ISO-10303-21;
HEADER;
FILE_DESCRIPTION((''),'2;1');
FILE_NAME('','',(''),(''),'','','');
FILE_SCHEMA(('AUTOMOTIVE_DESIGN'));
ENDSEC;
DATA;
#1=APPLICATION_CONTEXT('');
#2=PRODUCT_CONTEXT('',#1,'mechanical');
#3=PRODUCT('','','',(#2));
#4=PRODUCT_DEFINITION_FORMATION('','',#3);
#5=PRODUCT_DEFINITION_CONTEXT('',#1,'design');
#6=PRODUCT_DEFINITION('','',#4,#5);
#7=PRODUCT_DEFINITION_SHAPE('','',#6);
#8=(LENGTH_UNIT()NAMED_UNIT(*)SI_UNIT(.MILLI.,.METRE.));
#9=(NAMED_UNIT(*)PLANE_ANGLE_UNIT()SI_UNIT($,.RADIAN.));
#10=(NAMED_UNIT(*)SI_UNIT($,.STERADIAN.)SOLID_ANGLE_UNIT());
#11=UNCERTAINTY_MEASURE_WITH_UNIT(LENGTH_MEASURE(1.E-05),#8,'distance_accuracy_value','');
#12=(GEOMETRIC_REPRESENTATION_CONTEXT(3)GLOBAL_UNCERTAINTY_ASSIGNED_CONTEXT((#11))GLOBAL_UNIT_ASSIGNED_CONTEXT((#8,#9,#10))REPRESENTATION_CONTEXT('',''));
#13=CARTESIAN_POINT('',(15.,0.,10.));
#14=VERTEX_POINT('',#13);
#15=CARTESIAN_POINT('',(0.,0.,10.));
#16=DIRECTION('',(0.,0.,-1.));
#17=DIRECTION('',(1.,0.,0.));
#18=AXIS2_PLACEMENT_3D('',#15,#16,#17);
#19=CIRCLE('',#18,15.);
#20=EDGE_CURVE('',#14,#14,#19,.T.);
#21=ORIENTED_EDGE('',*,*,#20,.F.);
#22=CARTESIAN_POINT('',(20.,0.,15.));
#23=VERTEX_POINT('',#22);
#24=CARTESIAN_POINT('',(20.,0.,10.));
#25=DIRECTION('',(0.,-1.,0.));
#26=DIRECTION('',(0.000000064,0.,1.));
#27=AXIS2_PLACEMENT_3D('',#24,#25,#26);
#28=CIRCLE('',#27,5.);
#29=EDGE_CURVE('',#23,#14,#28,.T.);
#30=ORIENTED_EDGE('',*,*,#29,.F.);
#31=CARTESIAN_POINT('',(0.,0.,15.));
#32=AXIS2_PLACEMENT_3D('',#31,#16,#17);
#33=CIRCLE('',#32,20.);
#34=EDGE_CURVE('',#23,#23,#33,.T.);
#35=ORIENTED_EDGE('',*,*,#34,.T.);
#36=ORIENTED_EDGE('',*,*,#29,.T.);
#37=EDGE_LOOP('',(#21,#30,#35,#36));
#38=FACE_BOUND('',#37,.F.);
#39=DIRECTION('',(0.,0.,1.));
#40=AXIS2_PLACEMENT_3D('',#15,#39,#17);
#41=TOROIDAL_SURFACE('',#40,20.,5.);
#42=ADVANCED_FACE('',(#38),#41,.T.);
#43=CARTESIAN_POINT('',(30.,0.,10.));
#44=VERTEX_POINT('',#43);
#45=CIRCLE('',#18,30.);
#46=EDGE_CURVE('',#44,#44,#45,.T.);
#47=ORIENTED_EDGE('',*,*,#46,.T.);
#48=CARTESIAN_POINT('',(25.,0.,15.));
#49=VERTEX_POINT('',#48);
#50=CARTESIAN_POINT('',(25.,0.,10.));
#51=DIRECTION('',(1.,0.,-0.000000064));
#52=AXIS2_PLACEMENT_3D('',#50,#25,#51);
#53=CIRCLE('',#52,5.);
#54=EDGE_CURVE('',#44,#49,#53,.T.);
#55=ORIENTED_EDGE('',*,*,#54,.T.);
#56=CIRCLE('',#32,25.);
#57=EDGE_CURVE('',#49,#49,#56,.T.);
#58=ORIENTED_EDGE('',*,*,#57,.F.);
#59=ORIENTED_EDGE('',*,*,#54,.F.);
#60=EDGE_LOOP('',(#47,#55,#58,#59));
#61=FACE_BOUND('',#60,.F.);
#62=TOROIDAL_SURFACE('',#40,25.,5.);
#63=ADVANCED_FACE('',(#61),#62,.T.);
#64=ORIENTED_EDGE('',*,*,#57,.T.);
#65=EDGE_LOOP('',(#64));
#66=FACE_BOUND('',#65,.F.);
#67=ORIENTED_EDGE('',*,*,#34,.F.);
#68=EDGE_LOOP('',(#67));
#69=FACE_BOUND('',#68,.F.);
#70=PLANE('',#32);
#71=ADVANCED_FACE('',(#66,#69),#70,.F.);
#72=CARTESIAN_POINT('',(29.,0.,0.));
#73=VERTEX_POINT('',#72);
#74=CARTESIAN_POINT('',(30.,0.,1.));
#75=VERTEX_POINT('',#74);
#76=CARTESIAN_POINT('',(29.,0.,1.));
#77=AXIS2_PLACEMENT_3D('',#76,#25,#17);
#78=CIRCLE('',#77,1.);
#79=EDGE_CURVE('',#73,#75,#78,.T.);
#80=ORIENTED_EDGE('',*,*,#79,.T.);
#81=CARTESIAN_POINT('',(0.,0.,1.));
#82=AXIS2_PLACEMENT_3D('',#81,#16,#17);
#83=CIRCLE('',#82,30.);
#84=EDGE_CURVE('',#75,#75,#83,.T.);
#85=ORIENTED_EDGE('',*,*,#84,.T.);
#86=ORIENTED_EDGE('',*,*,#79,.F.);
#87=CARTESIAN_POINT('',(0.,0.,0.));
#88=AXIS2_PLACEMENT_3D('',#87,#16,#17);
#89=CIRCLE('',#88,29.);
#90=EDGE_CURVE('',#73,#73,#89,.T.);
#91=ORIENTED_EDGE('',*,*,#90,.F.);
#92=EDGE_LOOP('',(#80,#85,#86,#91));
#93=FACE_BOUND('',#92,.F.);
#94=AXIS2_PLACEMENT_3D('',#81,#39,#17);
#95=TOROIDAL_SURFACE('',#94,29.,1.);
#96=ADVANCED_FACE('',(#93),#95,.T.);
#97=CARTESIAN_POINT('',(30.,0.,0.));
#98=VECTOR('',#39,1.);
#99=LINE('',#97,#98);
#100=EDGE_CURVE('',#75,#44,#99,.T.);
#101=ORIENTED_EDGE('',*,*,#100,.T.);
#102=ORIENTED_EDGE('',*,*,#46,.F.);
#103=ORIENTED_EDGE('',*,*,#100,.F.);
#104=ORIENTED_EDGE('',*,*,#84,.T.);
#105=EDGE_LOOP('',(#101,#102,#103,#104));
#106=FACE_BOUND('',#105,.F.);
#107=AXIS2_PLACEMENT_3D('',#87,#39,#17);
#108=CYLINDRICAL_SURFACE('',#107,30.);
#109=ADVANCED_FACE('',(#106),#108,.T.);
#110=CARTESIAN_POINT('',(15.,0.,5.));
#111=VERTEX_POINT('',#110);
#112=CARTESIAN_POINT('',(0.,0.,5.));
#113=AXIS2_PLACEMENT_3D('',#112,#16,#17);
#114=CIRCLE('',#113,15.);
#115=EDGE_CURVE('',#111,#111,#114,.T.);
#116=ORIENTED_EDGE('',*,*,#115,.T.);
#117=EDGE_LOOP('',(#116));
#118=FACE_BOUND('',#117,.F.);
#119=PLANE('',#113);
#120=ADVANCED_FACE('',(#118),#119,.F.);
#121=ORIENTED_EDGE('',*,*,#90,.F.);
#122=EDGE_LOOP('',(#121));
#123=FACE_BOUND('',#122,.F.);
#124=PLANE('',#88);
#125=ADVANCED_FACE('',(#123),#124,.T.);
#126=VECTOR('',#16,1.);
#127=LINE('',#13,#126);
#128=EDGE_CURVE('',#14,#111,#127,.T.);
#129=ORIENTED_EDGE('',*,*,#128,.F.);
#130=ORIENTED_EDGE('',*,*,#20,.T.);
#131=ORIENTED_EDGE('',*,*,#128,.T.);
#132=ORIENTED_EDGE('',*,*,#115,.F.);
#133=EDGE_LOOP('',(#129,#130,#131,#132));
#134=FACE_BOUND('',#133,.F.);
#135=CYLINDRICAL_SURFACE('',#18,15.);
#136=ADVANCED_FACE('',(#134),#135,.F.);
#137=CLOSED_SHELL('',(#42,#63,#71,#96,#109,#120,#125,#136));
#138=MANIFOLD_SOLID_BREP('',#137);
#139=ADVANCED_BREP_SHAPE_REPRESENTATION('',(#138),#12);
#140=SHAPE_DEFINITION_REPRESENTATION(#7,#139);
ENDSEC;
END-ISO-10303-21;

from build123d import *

# Parameters (mm, degrees)
F2_R = 1


with BuildPart() as f1:
    # F0 (on Front) → F1 (revolve)
    with BuildSketch(Plane.XZ):
        with BuildLine():
            Line((0, 5), (0, 0))
            Line((0, 0), (30, 0))
            Line((30, 0), (30, 10))
            ThreePointArc((30, 10), (28.535534, 13.535534), (25, 15))
            Line((25, 15), (20, 15))
            ThreePointArc((20, 15), (16.464466, 13.535534), (15, 10))
            Line((15, 10), (15, 5))
            Line((15, 5), (0, 5))
        make_face()
    revolve(axis=Axis((0, 0, 2.5), (0, 0, -1)))

    # F2
    f2_edges = [f1.edges().sort_by_distance(p)[0] for p in [
        (-30, 0, 0),
    ]]
    fillet(f2_edges, radius=F2_R)


solid = f1.part
